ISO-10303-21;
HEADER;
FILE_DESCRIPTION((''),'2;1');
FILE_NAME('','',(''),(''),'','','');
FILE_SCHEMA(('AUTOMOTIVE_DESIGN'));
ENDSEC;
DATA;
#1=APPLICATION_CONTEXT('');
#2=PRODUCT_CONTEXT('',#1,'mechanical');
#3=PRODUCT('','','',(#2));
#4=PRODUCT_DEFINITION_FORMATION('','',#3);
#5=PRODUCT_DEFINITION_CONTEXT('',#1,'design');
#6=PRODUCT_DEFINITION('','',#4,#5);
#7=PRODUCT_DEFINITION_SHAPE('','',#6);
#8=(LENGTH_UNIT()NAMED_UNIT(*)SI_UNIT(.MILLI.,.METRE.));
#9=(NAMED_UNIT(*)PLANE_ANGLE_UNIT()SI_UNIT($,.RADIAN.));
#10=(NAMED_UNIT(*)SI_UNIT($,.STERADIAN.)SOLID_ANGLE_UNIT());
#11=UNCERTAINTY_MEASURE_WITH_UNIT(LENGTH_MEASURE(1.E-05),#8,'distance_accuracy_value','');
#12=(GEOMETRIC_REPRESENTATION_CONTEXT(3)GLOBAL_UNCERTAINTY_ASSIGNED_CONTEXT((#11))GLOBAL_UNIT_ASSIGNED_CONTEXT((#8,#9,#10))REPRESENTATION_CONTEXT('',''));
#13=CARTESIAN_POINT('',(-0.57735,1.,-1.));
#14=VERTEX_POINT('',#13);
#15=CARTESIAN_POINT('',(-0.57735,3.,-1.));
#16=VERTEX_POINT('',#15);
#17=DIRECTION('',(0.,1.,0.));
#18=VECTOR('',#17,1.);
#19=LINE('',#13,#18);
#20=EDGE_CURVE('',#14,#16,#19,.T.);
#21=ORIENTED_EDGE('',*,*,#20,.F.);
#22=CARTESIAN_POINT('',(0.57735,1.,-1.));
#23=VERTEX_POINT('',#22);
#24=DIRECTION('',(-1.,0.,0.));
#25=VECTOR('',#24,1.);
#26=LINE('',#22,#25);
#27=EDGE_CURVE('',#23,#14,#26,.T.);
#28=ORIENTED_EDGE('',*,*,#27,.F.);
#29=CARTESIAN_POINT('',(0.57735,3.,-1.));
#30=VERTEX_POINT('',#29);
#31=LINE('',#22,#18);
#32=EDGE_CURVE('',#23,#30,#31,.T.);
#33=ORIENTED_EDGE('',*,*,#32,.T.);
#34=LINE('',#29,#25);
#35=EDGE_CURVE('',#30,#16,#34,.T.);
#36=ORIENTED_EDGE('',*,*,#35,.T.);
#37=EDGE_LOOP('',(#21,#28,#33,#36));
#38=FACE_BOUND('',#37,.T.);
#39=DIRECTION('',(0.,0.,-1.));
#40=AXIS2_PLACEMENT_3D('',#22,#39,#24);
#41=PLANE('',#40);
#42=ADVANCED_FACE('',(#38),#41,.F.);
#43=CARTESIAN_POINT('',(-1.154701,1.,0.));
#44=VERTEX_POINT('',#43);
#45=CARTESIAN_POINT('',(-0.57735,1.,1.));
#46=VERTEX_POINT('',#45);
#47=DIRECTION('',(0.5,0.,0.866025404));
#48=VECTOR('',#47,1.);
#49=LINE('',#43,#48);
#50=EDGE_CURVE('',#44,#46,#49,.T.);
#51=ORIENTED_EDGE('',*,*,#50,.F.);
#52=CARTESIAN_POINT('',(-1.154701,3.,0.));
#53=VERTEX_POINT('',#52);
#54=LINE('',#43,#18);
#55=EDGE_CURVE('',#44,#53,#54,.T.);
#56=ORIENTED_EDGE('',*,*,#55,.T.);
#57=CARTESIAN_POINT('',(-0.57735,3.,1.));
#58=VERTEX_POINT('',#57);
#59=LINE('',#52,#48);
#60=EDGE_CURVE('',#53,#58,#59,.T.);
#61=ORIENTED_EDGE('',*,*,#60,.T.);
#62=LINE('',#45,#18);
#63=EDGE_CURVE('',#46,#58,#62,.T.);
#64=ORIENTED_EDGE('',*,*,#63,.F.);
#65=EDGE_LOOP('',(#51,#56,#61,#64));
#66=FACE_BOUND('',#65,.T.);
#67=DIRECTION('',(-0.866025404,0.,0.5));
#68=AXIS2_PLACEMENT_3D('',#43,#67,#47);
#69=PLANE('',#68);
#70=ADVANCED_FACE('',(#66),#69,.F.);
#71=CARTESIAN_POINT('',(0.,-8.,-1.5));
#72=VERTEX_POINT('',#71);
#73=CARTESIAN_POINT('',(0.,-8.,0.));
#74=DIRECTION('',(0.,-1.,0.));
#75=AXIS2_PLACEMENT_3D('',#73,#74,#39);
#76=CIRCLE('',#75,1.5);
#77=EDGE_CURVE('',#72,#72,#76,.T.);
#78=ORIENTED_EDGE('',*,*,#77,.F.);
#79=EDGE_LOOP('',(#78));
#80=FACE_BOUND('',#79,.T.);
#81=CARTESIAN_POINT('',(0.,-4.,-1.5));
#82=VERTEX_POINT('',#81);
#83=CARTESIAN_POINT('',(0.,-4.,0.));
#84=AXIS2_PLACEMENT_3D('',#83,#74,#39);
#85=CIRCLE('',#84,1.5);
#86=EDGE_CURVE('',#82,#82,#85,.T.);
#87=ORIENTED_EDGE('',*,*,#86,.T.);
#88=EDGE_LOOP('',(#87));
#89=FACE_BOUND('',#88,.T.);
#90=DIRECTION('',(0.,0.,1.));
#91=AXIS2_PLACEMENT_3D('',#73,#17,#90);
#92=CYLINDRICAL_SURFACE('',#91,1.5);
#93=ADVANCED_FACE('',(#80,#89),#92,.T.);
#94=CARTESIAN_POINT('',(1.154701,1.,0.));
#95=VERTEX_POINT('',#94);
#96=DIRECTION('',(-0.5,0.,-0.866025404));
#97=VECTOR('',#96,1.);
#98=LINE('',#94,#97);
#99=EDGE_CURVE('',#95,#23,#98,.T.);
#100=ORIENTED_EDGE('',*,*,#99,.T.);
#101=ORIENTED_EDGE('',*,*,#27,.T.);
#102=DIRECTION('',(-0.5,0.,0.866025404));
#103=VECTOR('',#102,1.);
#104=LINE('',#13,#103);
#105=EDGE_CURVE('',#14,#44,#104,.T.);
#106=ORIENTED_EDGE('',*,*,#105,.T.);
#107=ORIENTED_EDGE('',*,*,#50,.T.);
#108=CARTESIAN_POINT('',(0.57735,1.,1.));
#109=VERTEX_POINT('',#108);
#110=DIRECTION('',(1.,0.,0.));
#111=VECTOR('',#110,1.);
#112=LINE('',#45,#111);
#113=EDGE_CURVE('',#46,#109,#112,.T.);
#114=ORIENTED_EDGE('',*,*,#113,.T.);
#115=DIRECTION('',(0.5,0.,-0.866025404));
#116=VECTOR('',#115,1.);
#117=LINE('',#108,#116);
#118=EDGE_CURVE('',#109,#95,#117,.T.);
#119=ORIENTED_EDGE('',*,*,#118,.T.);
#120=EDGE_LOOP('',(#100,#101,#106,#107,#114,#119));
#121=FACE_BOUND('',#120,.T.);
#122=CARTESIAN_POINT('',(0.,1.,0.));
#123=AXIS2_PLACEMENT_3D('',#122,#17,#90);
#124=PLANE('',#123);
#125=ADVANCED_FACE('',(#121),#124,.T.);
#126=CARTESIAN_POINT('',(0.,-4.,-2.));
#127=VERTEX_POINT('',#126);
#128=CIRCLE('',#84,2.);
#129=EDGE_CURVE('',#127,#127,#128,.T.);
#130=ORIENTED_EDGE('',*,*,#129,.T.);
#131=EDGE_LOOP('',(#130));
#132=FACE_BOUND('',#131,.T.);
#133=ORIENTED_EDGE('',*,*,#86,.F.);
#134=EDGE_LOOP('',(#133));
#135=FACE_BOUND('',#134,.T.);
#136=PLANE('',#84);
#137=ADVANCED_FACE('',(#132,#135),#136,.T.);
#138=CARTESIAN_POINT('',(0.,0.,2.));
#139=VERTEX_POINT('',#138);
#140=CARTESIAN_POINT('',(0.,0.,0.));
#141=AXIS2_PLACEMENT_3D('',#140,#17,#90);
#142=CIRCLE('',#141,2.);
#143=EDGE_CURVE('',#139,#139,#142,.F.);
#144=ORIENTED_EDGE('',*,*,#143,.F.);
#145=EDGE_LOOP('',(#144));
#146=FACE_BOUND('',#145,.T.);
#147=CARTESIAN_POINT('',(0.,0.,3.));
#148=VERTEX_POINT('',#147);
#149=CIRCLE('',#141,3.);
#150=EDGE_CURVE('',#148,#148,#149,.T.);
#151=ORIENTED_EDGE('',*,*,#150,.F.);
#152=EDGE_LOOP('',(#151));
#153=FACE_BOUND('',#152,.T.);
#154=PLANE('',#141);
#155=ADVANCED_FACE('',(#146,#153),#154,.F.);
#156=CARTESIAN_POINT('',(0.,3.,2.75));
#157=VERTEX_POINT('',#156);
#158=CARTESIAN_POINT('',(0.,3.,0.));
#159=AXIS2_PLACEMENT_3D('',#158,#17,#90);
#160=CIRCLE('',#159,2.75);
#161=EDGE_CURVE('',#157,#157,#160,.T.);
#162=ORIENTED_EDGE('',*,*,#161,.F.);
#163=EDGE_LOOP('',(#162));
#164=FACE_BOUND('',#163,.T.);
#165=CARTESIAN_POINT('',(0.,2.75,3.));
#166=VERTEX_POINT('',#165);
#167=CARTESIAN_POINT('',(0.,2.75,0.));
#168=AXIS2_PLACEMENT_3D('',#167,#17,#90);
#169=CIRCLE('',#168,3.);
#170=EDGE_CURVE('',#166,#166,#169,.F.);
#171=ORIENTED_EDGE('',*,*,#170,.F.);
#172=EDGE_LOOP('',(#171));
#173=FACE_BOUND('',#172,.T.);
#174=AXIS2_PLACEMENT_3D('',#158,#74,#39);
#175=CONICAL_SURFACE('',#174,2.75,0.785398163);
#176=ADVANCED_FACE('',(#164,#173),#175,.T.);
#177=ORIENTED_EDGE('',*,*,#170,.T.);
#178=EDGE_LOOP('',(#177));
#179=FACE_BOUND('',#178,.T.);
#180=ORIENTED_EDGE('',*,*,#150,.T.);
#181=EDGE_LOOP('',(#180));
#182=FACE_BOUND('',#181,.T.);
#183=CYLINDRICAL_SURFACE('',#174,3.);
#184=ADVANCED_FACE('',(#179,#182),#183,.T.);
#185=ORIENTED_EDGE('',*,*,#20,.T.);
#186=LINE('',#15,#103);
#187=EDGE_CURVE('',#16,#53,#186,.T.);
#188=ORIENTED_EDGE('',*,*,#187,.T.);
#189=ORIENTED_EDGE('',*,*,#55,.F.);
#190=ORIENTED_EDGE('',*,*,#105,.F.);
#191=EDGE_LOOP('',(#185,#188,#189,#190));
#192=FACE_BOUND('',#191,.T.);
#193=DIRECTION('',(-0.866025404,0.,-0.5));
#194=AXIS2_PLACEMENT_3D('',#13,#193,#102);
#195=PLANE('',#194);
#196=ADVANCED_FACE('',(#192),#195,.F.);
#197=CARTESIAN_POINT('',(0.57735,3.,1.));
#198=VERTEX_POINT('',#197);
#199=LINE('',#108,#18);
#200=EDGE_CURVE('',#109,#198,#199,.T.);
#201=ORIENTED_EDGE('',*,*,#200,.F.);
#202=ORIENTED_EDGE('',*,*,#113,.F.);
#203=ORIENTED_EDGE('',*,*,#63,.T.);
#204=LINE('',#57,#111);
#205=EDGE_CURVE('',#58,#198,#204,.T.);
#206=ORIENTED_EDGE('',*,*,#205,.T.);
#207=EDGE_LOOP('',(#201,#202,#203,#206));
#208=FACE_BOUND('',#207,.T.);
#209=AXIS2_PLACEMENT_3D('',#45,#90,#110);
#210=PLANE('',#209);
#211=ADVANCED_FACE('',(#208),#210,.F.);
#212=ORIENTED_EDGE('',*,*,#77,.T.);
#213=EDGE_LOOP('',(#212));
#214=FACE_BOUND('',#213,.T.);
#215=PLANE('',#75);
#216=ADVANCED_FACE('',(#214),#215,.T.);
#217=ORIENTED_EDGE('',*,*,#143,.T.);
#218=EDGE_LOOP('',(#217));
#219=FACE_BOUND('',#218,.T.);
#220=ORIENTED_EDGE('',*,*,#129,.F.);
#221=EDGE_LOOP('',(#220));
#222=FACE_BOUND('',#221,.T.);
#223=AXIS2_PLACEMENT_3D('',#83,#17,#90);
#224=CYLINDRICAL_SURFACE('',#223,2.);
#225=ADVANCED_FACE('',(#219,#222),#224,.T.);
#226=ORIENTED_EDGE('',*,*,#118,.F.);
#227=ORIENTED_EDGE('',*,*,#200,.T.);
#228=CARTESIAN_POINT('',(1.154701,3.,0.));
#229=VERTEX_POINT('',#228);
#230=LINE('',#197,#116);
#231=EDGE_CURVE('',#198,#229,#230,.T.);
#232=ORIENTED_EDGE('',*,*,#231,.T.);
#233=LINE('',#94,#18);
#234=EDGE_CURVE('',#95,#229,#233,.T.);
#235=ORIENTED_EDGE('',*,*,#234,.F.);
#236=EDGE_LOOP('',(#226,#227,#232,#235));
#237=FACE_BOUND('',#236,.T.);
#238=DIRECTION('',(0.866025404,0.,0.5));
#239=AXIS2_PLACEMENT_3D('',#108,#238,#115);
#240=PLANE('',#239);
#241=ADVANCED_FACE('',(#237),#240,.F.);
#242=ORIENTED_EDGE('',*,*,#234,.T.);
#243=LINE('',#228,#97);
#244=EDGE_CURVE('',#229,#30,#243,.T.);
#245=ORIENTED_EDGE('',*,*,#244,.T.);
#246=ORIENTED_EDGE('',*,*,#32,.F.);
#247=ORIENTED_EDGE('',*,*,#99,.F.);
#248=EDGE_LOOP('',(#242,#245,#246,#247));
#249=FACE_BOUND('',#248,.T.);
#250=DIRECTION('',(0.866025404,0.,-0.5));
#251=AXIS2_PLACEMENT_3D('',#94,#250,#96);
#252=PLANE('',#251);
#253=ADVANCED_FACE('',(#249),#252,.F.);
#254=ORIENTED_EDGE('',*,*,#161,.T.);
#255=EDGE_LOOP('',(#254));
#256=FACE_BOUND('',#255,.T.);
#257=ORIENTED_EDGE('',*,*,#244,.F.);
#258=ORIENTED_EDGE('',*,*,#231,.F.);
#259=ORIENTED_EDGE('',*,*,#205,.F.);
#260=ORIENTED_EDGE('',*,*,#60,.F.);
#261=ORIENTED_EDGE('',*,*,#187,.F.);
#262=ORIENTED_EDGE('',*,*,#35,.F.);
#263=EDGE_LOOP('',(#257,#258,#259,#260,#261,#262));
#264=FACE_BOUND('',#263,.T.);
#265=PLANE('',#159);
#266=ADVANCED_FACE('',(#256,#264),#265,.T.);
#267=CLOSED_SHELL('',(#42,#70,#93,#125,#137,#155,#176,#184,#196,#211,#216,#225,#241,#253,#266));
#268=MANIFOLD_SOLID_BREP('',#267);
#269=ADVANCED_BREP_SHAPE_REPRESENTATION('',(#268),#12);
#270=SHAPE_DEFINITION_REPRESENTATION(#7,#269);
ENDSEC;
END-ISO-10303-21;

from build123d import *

# Parameters (mm, degrees)
SKETCH1_R           = 3
BOSS_EXTRUDE1_DEPTH = 3
SKETCH2_R           = 2
BOSS_EXTRUDE2_DEPTH = 4
SKETCH3_R           = 1.5
BOSS_EXTRUDE3_DEPTH = 4
CUT_EXTRUDE1_DEPTH  = 2
CHAMFER1_SIZE       = 0.25


with BuildPart() as part:
    # Sketch1 → Boss-Extrude1 (new body)
    with BuildSketch(Plane(origin=(0, 0, 0), x_dir=(1, 0, 0), z_dir=(0, 1, 0))):
        with Locations(Location((0, 0, 0), (0, 0, 270))):
            Circle(SKETCH1_R)
    extrude(amount=BOSS_EXTRUDE1_DEPTH)

    # Sketch2 → Boss-Extrude2 (add)
    with BuildSketch(Plane.XZ):
        with Locations(Location((0, 0, 0), (0, 0, 90))):
            Circle(SKETCH2_R)
    extrude(amount=BOSS_EXTRUDE2_DEPTH)

    # Sketch3 → Boss-Extrude3 (add)
    with BuildSketch(Plane.XZ.offset(4)):
        with Locations(Location((0, 0, 0), (0, 0, 270))):
            Circle(SKETCH3_R)
    extrude(amount=BOSS_EXTRUDE3_DEPTH)

    # Sketch4 → Cut-Extrude1 (cut)
    with BuildSketch(Plane(origin=(0, 3, 0), x_dir=(1, 0, 0), z_dir=(0, 1, 0))):
        Polygon((0.577350269, 1), (-0.577350269, 1), (-1.154700538, 0), (-0.577350269, -1), (0.577350269, -1), (1.154700538, 0), align=None)
    extrude(amount=-CUT_EXTRUDE1_DEPTH, mode=Mode.SUBTRACT)

    # Chamfer1
    chamfer1_edges = [part.edges().sort_by_distance(p)[0] for p in [
        (0, 3, -3),
    ]]
    chamfer(chamfer1_edges, length=CHAMFER1_SIZE)


solid = part.part
